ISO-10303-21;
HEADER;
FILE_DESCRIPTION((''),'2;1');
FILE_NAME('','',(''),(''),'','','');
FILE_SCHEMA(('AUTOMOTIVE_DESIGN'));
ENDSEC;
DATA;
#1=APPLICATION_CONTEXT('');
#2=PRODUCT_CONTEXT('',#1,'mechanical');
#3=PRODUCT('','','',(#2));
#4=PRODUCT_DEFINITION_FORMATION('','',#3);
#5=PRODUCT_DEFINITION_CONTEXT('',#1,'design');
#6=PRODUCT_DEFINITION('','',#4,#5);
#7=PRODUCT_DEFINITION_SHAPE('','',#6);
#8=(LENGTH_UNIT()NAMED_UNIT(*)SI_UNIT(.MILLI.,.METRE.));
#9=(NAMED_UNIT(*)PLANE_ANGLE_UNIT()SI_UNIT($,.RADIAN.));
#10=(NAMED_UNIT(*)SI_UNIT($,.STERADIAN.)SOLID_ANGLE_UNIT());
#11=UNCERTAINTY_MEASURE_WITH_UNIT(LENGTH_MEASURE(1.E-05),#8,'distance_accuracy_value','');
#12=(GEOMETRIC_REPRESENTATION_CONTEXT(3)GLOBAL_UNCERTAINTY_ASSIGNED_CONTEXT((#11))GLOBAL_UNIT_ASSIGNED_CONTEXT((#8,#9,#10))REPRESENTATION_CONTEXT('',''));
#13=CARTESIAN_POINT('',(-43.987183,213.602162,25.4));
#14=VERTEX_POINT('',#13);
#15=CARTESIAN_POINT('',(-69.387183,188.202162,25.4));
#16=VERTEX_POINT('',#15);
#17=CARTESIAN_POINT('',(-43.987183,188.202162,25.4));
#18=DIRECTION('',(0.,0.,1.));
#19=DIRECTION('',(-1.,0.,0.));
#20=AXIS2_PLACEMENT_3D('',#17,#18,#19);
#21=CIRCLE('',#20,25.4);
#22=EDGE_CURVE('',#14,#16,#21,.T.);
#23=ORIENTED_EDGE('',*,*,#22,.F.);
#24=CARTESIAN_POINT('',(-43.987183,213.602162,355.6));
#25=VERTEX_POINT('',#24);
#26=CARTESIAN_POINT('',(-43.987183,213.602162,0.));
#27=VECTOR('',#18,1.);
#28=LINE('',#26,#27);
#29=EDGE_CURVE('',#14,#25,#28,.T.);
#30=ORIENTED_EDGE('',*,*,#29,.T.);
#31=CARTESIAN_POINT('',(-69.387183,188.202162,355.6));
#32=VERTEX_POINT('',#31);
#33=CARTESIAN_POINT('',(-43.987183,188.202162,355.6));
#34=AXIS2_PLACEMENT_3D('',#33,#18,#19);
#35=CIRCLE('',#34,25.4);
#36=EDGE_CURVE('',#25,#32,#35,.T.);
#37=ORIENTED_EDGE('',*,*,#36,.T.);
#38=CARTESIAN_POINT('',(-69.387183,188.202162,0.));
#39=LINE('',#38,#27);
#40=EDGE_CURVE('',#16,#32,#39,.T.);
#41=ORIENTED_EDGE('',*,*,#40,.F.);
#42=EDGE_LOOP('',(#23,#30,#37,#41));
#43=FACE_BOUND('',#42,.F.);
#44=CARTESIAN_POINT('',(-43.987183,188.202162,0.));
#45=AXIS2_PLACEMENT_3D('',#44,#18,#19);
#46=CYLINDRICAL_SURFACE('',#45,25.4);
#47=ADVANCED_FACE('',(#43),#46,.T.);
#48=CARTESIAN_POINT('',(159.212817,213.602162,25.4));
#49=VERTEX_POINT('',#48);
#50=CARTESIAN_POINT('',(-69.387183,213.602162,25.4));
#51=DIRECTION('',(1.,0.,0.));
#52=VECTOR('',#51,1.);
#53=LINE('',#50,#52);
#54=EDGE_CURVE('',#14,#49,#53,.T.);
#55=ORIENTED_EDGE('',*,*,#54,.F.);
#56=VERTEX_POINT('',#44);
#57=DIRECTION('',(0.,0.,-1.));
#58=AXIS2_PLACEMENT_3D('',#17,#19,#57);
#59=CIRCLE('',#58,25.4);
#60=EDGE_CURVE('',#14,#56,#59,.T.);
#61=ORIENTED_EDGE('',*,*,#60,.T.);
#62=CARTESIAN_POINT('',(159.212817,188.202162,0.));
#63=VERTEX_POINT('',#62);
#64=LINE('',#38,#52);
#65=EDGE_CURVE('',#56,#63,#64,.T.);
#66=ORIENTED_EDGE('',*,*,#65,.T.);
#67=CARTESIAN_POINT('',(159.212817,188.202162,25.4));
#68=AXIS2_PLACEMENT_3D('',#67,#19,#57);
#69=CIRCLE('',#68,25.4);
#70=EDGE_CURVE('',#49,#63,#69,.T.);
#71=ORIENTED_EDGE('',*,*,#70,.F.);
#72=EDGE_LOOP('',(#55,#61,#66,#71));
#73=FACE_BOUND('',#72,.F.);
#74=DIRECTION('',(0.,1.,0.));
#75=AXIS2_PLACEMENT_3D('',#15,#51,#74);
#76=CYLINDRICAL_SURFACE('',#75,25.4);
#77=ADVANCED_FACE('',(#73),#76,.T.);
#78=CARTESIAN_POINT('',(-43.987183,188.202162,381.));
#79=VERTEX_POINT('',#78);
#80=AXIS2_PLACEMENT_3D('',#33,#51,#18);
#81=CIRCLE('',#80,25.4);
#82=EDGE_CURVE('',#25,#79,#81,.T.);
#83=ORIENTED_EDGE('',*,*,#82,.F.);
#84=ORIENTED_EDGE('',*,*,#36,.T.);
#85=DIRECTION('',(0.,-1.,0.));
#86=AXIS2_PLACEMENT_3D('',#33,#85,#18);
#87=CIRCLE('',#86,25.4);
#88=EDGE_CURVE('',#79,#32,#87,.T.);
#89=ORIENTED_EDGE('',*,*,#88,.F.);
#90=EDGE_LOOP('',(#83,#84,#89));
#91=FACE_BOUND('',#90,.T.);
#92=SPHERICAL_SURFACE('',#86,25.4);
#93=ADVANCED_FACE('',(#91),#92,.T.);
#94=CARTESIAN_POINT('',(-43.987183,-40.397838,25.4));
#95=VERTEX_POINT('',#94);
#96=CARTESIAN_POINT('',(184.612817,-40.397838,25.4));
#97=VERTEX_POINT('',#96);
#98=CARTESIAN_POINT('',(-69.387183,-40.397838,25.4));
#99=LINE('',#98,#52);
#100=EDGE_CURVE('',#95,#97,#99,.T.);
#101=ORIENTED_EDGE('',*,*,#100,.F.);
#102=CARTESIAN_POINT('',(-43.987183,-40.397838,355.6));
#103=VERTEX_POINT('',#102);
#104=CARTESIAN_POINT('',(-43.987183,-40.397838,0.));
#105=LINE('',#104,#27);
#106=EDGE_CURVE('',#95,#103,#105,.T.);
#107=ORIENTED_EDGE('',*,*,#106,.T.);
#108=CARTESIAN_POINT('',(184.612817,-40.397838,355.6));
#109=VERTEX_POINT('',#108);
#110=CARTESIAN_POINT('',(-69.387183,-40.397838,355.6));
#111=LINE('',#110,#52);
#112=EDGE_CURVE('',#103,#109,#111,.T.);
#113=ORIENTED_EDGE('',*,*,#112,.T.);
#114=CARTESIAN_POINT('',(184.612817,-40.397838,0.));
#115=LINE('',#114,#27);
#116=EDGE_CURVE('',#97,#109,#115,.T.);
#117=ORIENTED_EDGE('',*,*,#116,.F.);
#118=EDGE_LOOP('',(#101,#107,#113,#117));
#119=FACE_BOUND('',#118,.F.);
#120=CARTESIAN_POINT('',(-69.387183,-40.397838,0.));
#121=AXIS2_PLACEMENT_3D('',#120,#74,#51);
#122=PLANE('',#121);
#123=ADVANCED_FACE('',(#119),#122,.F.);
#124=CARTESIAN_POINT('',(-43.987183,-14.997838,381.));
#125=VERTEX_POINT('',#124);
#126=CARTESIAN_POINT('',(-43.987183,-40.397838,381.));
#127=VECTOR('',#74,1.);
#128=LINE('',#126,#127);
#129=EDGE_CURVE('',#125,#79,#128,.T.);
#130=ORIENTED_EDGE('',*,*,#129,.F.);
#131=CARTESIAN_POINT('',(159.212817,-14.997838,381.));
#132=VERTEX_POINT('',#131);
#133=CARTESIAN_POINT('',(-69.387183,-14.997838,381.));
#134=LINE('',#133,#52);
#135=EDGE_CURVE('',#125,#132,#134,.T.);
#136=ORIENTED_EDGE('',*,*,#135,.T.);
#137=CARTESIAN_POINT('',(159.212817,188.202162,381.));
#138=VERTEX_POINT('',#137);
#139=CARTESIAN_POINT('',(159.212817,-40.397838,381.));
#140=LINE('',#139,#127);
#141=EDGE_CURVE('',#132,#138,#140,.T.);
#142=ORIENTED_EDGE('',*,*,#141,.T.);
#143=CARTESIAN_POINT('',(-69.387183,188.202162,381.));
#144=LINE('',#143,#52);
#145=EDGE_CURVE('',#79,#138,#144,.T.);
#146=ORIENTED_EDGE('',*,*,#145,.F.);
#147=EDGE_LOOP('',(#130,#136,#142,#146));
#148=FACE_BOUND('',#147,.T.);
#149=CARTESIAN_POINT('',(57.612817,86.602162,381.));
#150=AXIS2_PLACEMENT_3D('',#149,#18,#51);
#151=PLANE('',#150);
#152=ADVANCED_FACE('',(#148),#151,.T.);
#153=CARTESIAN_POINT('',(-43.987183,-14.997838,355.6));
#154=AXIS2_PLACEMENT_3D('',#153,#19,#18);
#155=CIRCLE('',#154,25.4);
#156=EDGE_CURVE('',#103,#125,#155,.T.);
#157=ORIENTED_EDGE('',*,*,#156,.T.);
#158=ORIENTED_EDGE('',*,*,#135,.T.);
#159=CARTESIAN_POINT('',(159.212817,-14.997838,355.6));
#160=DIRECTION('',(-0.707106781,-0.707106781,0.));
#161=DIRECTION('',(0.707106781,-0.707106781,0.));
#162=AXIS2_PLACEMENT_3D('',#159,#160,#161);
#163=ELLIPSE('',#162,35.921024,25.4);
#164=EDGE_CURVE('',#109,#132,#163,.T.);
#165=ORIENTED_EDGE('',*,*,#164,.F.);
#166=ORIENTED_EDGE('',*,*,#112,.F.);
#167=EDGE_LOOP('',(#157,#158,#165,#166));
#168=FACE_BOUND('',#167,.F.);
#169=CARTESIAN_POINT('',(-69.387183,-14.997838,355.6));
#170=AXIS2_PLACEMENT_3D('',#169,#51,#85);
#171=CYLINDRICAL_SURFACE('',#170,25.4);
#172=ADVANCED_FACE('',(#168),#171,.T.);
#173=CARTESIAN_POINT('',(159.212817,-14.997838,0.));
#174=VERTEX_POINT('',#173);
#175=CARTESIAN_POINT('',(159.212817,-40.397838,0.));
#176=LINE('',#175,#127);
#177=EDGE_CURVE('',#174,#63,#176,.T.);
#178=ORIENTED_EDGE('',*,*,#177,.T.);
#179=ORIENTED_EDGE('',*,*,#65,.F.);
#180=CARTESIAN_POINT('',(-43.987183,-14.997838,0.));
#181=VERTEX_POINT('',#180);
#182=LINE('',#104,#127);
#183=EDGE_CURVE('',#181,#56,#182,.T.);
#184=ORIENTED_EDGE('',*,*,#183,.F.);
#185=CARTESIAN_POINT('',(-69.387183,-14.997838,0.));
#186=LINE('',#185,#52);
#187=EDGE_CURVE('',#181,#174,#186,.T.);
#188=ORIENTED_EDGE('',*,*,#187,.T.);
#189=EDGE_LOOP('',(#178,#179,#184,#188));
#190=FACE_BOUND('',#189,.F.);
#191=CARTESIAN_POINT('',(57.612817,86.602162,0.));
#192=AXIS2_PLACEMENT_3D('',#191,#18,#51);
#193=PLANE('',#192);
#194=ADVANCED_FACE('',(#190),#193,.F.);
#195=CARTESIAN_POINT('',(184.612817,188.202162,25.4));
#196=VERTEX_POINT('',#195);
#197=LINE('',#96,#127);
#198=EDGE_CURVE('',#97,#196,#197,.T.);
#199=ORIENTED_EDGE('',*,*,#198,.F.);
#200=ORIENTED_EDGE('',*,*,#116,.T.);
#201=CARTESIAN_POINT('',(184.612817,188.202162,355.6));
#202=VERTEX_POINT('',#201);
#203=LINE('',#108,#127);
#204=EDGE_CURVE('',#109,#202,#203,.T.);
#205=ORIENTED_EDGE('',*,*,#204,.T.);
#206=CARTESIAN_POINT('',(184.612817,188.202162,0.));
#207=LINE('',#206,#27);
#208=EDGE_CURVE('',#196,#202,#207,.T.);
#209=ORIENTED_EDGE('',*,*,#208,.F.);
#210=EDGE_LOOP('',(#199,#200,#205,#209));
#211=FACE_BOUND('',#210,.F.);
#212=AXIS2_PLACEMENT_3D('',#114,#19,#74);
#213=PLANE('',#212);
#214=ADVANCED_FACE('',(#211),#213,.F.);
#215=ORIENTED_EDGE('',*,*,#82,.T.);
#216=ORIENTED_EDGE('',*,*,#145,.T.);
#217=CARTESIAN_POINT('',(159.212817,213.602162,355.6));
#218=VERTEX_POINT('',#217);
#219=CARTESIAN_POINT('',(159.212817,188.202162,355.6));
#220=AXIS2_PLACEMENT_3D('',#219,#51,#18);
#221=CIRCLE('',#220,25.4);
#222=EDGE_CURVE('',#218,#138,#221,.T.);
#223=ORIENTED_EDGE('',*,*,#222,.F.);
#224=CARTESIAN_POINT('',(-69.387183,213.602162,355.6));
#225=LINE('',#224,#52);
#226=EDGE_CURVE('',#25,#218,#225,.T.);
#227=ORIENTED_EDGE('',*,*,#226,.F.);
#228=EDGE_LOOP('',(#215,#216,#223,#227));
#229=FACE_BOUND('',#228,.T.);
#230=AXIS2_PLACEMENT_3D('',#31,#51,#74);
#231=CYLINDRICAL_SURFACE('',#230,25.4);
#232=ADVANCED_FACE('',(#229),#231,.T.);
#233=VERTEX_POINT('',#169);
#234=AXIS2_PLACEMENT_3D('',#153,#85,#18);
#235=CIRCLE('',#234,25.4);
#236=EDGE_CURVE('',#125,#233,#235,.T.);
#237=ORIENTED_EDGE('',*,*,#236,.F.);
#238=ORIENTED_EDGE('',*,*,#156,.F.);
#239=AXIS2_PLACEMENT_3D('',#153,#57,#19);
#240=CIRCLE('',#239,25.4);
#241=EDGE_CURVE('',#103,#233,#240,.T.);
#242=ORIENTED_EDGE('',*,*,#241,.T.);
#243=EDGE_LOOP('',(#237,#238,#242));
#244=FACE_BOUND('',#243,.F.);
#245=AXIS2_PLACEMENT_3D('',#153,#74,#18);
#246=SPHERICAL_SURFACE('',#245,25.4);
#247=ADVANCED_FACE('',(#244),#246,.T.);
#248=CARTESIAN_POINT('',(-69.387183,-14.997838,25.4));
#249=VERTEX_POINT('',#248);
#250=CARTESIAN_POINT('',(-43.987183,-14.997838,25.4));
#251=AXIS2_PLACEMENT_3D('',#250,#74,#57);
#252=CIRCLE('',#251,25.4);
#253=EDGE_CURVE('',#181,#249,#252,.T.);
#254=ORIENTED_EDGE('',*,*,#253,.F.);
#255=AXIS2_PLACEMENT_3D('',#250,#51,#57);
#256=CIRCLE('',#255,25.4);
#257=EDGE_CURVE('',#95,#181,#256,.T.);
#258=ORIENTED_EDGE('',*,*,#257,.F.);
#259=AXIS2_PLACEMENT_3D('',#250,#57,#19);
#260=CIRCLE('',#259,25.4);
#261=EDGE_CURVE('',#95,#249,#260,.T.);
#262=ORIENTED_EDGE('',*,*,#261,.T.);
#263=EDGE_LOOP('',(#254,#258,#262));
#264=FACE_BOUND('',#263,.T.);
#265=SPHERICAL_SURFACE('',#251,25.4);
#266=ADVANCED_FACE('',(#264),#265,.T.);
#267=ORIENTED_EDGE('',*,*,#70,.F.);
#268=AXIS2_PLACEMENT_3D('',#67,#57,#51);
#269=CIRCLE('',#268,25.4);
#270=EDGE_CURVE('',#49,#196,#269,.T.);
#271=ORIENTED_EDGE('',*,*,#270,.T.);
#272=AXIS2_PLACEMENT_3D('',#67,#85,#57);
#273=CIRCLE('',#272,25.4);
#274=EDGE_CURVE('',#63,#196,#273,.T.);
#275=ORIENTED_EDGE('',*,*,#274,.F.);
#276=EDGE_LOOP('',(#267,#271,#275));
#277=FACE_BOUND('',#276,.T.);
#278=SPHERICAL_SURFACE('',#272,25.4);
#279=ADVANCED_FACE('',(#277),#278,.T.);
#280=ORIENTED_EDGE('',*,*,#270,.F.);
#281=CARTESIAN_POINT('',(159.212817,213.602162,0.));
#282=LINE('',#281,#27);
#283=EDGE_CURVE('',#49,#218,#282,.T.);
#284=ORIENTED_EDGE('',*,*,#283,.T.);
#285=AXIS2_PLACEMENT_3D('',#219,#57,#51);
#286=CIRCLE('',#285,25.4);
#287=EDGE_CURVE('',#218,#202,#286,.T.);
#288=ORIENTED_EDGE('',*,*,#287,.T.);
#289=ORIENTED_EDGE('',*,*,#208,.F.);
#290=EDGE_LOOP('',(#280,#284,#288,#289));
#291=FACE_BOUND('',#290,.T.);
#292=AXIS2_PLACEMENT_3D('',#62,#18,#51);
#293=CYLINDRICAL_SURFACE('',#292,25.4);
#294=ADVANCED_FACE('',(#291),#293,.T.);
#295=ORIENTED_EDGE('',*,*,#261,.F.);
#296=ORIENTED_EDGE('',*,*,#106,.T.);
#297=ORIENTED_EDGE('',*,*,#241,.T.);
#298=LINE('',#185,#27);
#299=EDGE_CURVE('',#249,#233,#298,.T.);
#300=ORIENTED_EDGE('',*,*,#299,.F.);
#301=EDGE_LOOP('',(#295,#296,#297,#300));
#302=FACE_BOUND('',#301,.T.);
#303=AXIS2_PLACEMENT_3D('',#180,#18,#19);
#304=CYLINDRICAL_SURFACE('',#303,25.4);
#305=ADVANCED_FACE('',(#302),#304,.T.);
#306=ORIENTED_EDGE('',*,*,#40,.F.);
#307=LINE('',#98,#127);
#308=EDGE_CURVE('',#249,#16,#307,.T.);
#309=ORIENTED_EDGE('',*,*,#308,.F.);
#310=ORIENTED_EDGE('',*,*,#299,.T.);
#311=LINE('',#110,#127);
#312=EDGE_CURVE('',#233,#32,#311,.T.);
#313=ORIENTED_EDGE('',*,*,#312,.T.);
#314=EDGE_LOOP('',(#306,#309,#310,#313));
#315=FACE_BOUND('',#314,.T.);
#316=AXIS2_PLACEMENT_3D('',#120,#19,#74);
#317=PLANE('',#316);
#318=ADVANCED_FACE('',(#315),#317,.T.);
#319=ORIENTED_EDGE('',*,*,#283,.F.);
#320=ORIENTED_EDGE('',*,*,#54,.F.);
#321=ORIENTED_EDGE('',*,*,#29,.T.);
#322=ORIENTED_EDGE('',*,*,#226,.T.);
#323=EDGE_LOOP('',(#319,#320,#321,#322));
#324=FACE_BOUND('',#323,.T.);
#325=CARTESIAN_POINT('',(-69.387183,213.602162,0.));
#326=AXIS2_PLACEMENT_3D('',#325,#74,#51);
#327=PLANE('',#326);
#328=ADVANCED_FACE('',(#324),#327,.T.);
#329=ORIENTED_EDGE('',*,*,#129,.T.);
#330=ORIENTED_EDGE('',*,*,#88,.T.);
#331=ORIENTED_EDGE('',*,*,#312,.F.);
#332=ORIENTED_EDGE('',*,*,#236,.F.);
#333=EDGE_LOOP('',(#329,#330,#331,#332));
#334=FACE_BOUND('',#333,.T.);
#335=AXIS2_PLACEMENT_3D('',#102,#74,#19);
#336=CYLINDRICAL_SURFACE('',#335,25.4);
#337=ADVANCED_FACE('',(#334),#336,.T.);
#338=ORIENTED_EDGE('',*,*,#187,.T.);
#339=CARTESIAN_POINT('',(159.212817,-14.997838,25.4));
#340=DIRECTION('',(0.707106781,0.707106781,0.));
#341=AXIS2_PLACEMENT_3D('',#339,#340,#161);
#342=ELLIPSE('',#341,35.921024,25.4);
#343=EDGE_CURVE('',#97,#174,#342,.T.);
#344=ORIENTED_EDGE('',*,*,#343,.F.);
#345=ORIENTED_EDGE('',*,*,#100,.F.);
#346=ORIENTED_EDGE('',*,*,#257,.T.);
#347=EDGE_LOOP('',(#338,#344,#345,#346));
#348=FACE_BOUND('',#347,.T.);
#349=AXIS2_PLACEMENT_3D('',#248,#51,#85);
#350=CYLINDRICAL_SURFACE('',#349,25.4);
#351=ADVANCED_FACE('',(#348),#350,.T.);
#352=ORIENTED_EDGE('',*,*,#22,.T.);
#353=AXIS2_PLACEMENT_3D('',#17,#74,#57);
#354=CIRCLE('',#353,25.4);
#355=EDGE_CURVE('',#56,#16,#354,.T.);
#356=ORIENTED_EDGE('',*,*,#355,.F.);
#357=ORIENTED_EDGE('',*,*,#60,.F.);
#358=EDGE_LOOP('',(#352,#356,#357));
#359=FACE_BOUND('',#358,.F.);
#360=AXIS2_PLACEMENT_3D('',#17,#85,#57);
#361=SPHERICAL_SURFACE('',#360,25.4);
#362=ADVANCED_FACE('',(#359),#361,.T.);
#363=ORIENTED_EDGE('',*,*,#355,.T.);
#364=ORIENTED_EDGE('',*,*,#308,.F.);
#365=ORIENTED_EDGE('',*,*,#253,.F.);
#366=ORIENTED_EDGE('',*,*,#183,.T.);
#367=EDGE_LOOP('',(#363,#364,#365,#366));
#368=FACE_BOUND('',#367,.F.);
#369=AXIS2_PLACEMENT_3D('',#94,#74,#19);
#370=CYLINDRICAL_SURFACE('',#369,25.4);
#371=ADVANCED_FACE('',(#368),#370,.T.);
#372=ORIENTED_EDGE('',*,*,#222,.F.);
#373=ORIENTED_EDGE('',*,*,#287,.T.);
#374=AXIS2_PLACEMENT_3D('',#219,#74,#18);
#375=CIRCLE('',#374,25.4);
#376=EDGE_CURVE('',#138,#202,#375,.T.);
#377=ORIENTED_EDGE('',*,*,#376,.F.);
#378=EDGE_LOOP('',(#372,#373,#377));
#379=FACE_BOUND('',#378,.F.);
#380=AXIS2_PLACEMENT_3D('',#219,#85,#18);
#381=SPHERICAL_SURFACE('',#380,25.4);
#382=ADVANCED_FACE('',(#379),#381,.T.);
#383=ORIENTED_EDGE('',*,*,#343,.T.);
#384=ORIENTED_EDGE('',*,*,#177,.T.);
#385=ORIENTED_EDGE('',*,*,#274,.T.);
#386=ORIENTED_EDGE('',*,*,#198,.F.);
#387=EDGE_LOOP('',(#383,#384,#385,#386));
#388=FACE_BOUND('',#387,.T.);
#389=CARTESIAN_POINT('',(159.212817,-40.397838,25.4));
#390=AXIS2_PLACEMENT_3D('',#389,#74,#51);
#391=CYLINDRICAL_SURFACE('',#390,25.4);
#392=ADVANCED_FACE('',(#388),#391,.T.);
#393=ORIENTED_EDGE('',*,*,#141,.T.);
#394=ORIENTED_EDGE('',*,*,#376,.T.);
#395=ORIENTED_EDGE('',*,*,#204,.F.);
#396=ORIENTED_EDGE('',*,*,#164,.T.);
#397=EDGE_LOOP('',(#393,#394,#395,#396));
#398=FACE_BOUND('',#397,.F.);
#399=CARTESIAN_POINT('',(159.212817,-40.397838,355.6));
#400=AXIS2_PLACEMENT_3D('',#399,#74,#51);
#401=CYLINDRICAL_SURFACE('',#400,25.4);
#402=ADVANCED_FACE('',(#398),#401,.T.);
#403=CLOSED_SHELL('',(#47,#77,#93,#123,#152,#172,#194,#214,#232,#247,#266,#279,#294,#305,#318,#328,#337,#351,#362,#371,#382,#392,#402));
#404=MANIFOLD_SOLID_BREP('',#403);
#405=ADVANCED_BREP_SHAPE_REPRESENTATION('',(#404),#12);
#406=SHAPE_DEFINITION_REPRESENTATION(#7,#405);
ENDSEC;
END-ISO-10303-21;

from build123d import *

# Parameters (mm, degrees)
F0_W     = 254
F0_H     = 254
F1_DEPTH = 381
F2_R     = 25.4


with BuildPart() as f1:
    # F0 (on Top) → F1 (new body)
    with BuildSketch(Plane.XY):
        with Locations((57.612817, 86.602162)):
            Rectangle(F0_W, F0_H)
    extrude(amount=F1_DEPTH)

    # F2
    f2_edges = [f1.edges().sort_by_distance(p)[0] for p in [
        (-69.387183, 86.602162, 381),
        (57.612817, -40.397838, 381),
        (184.612817, 86.602162, 381),
        (57.612817, 213.602162, 381),
        (-69.387183, 86.602162, 0),
        (57.612817, -40.397838, 0),
        (184.612817, 86.602162, 0),
        (57.612817, 213.602162, 0),
        (-69.387183, 213.602162, 190.5),
        (-69.387183, -40.397838, 190.5),
        (184.612817, 213.602162, 190.5),
    ]]
    fillet(f2_edges, radius=F2_R)


solid = f1.part
